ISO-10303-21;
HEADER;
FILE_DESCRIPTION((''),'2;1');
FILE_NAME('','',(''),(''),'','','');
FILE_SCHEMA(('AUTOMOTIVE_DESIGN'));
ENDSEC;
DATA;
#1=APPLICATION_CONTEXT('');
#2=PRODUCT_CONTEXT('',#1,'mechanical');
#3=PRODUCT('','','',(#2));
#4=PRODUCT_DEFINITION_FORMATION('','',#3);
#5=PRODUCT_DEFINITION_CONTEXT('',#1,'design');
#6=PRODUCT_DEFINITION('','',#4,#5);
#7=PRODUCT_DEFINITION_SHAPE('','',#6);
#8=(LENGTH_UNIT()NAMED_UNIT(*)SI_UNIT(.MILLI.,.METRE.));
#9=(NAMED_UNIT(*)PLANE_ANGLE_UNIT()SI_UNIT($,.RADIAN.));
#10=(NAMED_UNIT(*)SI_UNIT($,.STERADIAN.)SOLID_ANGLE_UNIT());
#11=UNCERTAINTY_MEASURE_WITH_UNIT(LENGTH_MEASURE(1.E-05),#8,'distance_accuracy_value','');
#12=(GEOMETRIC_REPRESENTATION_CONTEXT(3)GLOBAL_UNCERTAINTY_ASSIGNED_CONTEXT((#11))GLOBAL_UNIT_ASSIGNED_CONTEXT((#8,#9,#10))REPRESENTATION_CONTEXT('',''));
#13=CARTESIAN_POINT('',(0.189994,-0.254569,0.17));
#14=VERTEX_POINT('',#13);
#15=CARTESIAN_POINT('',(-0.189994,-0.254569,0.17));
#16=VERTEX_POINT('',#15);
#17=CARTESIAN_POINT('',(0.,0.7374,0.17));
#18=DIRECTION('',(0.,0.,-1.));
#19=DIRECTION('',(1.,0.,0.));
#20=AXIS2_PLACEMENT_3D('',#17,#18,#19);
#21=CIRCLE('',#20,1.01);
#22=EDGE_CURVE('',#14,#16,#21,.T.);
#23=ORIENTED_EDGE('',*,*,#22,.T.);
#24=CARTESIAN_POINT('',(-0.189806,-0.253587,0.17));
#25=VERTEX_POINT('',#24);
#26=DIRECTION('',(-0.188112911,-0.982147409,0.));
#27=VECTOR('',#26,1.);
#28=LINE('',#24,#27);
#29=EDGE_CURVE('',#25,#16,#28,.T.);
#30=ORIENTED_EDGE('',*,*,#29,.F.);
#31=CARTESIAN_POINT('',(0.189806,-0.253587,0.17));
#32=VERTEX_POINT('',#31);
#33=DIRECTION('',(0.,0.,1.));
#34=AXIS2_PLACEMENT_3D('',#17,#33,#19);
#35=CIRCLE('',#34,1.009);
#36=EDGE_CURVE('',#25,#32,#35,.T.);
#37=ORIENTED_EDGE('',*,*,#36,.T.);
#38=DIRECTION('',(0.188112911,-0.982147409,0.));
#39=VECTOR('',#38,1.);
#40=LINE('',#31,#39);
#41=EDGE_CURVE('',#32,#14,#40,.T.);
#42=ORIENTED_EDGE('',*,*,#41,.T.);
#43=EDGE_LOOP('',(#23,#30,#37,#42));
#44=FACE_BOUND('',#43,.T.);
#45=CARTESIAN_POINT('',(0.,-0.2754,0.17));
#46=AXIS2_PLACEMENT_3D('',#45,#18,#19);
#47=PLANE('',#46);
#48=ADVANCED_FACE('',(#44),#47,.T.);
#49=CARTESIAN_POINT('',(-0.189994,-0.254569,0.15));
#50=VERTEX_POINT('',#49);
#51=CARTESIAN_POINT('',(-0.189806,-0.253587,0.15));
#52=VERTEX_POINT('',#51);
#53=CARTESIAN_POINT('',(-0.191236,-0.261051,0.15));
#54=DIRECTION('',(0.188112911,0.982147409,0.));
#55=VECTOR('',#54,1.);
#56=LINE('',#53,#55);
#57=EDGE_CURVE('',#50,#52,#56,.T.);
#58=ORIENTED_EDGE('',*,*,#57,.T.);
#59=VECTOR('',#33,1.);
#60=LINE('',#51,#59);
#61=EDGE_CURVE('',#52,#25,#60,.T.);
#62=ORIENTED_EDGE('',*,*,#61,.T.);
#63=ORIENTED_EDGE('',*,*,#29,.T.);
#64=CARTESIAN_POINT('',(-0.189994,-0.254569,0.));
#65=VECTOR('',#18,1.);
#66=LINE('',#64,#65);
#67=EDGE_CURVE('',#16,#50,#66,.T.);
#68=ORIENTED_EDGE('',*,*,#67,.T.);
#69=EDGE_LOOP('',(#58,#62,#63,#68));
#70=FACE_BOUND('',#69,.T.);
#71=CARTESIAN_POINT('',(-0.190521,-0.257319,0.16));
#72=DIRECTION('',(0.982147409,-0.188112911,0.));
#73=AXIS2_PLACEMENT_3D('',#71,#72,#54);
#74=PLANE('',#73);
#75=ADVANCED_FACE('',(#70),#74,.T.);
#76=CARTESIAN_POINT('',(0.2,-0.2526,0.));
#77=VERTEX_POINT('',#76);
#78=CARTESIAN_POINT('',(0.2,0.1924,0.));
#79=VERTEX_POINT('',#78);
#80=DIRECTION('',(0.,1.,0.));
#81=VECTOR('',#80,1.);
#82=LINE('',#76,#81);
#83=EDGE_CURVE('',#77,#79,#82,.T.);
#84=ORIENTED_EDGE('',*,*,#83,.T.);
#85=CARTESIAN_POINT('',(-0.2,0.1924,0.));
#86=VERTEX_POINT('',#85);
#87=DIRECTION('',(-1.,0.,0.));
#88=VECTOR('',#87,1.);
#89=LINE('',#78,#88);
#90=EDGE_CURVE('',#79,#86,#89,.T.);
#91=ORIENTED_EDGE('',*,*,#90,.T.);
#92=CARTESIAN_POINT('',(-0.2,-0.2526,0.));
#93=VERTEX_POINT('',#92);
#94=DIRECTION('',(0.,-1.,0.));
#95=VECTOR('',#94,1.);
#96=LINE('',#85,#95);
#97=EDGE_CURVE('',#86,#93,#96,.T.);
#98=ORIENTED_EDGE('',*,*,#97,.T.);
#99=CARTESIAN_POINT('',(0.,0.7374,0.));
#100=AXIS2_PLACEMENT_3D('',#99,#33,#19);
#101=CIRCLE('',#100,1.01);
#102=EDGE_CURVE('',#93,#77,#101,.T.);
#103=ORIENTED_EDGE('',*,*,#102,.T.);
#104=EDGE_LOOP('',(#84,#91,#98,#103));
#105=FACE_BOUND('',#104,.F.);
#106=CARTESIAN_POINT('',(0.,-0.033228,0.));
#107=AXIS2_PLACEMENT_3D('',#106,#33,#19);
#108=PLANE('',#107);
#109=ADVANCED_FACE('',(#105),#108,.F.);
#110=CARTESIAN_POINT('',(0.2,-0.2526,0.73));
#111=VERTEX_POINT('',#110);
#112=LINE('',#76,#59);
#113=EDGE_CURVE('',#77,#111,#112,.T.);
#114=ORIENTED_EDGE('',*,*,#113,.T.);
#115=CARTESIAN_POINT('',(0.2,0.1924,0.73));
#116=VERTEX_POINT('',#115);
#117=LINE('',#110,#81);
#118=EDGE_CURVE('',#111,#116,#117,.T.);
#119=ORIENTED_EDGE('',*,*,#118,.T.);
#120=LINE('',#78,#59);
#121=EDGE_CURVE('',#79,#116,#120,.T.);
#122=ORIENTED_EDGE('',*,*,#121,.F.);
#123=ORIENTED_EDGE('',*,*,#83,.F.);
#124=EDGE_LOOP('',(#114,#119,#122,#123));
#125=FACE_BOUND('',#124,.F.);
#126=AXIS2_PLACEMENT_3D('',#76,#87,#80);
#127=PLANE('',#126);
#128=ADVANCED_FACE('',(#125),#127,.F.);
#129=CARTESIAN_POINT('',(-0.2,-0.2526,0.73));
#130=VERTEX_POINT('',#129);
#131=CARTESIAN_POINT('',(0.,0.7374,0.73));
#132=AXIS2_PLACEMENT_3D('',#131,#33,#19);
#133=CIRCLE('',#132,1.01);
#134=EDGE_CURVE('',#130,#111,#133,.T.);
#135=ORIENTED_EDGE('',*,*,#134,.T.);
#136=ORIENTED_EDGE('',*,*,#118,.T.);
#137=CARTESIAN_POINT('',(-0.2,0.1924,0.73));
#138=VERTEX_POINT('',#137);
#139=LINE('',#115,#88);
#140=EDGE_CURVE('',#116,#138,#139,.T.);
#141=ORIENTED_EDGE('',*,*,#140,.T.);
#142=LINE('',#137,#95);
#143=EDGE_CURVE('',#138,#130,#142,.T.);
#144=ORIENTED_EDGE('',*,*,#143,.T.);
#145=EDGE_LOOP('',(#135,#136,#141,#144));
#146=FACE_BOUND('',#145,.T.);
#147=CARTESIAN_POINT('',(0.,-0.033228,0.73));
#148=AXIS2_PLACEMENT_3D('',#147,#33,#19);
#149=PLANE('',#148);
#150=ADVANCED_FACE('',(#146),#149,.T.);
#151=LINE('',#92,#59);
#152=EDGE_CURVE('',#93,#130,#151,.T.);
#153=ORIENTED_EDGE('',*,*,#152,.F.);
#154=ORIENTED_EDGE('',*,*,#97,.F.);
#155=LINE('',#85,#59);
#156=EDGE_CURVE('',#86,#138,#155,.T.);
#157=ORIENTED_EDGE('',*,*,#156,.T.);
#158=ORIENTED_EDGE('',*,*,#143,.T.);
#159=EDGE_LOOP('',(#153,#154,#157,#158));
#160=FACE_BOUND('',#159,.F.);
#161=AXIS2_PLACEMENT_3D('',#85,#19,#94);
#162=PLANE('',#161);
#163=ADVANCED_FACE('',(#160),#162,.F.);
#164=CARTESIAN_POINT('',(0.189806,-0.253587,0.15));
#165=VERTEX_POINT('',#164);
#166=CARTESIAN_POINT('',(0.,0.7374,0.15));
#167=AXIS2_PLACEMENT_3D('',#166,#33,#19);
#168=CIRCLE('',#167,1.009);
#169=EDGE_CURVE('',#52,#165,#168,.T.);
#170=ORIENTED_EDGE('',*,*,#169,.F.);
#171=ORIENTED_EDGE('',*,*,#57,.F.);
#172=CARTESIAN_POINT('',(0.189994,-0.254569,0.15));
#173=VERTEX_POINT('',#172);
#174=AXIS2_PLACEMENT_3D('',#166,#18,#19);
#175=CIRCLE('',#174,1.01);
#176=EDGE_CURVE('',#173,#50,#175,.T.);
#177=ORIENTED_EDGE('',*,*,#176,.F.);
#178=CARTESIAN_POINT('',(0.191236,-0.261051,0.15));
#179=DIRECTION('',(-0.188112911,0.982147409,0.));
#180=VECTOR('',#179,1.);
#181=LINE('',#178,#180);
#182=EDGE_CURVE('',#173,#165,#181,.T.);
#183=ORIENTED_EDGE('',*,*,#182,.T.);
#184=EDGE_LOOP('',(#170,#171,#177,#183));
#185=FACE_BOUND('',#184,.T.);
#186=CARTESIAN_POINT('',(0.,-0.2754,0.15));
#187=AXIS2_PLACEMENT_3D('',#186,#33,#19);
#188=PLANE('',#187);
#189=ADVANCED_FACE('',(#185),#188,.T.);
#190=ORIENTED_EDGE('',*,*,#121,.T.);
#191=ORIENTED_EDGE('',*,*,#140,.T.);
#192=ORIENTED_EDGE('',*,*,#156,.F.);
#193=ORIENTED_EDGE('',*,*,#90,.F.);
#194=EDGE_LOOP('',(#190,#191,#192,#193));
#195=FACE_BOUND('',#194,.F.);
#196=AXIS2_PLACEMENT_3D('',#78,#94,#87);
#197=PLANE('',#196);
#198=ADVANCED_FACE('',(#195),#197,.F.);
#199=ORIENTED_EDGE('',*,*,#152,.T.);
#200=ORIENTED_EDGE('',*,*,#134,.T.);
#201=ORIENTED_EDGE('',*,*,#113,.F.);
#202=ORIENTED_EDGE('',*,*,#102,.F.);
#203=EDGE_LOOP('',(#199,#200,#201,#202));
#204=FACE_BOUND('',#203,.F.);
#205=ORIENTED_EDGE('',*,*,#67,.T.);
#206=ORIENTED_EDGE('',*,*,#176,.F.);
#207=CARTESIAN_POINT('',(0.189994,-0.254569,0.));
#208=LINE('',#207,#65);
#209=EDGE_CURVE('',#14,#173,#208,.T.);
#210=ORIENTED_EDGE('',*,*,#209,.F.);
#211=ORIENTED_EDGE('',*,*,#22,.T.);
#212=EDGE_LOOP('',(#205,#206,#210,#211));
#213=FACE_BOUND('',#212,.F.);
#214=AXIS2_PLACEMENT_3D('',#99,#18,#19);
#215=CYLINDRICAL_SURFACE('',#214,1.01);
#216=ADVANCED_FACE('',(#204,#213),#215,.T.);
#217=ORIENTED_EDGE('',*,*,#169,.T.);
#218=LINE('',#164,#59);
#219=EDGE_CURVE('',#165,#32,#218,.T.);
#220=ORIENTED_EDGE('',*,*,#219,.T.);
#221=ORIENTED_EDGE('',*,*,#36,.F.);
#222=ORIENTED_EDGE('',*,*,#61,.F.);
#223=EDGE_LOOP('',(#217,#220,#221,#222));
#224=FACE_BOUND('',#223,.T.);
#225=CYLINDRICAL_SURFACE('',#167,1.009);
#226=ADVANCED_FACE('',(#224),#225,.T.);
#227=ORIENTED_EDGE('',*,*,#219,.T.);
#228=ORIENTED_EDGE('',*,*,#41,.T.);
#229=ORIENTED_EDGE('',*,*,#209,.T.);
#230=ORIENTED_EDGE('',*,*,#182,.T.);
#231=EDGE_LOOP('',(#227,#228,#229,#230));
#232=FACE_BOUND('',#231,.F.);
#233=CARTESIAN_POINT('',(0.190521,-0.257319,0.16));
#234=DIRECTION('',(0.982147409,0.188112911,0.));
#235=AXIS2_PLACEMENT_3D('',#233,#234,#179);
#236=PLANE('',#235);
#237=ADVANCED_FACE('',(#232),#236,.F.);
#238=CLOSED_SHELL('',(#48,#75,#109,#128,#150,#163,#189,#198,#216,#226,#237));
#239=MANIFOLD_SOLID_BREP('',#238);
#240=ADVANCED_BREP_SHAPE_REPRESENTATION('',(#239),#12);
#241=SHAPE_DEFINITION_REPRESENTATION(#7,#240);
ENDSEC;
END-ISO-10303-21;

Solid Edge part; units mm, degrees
sketch "Sketch1" plane through (0, 0, 0) normal (0, 0, 1) x (1, 0, 0)
  line L0 (0.2, -0.2526) -> (0.2, 0.1924)
  line L1 (0.2, 0.1924) -> (-0.2, 0.1924)
  line L2 (-0.2, 0.1924) -> (-0.2, -0.2526)
  arc A0 (-0.2, -0.2526) -> (0.2, -0.2526) centre (0, 0.7374) ccw
  dimension "D1" = 0.2
  dimension "D2" = 0
extrude "Protrusion1" add sketch "Sketch1" along normal blind 0.73
sketch "Sketch2" plane through (0, -0.0401, 0) normal (0, 0, -1) x (1, 0, 0)
  arc A0 (-0.19, 0.2145) -> (0.19, 0.2145) centre (0, -0.7775) cw
sketch "Sketch3" plane through (0, 0, 0) normal (1, 0, 0) x (0, 1, 0)
  line L0 (-0.2792, 0.15) -> (-0.2716, 0.15)
  line L1 (-0.2716, 0.15) -> (-0.2716, 0.17)
  line L2 (-0.2716, 0.17) -> (-0.2792, 0.17)
  line L3 (-0.2792, 0.17) -> (-0.2792, 0.15)
  dimension "D1" = 0.02
sweep "SweptCutout1" cut profiles "Sketch3" path "Sketch2"
